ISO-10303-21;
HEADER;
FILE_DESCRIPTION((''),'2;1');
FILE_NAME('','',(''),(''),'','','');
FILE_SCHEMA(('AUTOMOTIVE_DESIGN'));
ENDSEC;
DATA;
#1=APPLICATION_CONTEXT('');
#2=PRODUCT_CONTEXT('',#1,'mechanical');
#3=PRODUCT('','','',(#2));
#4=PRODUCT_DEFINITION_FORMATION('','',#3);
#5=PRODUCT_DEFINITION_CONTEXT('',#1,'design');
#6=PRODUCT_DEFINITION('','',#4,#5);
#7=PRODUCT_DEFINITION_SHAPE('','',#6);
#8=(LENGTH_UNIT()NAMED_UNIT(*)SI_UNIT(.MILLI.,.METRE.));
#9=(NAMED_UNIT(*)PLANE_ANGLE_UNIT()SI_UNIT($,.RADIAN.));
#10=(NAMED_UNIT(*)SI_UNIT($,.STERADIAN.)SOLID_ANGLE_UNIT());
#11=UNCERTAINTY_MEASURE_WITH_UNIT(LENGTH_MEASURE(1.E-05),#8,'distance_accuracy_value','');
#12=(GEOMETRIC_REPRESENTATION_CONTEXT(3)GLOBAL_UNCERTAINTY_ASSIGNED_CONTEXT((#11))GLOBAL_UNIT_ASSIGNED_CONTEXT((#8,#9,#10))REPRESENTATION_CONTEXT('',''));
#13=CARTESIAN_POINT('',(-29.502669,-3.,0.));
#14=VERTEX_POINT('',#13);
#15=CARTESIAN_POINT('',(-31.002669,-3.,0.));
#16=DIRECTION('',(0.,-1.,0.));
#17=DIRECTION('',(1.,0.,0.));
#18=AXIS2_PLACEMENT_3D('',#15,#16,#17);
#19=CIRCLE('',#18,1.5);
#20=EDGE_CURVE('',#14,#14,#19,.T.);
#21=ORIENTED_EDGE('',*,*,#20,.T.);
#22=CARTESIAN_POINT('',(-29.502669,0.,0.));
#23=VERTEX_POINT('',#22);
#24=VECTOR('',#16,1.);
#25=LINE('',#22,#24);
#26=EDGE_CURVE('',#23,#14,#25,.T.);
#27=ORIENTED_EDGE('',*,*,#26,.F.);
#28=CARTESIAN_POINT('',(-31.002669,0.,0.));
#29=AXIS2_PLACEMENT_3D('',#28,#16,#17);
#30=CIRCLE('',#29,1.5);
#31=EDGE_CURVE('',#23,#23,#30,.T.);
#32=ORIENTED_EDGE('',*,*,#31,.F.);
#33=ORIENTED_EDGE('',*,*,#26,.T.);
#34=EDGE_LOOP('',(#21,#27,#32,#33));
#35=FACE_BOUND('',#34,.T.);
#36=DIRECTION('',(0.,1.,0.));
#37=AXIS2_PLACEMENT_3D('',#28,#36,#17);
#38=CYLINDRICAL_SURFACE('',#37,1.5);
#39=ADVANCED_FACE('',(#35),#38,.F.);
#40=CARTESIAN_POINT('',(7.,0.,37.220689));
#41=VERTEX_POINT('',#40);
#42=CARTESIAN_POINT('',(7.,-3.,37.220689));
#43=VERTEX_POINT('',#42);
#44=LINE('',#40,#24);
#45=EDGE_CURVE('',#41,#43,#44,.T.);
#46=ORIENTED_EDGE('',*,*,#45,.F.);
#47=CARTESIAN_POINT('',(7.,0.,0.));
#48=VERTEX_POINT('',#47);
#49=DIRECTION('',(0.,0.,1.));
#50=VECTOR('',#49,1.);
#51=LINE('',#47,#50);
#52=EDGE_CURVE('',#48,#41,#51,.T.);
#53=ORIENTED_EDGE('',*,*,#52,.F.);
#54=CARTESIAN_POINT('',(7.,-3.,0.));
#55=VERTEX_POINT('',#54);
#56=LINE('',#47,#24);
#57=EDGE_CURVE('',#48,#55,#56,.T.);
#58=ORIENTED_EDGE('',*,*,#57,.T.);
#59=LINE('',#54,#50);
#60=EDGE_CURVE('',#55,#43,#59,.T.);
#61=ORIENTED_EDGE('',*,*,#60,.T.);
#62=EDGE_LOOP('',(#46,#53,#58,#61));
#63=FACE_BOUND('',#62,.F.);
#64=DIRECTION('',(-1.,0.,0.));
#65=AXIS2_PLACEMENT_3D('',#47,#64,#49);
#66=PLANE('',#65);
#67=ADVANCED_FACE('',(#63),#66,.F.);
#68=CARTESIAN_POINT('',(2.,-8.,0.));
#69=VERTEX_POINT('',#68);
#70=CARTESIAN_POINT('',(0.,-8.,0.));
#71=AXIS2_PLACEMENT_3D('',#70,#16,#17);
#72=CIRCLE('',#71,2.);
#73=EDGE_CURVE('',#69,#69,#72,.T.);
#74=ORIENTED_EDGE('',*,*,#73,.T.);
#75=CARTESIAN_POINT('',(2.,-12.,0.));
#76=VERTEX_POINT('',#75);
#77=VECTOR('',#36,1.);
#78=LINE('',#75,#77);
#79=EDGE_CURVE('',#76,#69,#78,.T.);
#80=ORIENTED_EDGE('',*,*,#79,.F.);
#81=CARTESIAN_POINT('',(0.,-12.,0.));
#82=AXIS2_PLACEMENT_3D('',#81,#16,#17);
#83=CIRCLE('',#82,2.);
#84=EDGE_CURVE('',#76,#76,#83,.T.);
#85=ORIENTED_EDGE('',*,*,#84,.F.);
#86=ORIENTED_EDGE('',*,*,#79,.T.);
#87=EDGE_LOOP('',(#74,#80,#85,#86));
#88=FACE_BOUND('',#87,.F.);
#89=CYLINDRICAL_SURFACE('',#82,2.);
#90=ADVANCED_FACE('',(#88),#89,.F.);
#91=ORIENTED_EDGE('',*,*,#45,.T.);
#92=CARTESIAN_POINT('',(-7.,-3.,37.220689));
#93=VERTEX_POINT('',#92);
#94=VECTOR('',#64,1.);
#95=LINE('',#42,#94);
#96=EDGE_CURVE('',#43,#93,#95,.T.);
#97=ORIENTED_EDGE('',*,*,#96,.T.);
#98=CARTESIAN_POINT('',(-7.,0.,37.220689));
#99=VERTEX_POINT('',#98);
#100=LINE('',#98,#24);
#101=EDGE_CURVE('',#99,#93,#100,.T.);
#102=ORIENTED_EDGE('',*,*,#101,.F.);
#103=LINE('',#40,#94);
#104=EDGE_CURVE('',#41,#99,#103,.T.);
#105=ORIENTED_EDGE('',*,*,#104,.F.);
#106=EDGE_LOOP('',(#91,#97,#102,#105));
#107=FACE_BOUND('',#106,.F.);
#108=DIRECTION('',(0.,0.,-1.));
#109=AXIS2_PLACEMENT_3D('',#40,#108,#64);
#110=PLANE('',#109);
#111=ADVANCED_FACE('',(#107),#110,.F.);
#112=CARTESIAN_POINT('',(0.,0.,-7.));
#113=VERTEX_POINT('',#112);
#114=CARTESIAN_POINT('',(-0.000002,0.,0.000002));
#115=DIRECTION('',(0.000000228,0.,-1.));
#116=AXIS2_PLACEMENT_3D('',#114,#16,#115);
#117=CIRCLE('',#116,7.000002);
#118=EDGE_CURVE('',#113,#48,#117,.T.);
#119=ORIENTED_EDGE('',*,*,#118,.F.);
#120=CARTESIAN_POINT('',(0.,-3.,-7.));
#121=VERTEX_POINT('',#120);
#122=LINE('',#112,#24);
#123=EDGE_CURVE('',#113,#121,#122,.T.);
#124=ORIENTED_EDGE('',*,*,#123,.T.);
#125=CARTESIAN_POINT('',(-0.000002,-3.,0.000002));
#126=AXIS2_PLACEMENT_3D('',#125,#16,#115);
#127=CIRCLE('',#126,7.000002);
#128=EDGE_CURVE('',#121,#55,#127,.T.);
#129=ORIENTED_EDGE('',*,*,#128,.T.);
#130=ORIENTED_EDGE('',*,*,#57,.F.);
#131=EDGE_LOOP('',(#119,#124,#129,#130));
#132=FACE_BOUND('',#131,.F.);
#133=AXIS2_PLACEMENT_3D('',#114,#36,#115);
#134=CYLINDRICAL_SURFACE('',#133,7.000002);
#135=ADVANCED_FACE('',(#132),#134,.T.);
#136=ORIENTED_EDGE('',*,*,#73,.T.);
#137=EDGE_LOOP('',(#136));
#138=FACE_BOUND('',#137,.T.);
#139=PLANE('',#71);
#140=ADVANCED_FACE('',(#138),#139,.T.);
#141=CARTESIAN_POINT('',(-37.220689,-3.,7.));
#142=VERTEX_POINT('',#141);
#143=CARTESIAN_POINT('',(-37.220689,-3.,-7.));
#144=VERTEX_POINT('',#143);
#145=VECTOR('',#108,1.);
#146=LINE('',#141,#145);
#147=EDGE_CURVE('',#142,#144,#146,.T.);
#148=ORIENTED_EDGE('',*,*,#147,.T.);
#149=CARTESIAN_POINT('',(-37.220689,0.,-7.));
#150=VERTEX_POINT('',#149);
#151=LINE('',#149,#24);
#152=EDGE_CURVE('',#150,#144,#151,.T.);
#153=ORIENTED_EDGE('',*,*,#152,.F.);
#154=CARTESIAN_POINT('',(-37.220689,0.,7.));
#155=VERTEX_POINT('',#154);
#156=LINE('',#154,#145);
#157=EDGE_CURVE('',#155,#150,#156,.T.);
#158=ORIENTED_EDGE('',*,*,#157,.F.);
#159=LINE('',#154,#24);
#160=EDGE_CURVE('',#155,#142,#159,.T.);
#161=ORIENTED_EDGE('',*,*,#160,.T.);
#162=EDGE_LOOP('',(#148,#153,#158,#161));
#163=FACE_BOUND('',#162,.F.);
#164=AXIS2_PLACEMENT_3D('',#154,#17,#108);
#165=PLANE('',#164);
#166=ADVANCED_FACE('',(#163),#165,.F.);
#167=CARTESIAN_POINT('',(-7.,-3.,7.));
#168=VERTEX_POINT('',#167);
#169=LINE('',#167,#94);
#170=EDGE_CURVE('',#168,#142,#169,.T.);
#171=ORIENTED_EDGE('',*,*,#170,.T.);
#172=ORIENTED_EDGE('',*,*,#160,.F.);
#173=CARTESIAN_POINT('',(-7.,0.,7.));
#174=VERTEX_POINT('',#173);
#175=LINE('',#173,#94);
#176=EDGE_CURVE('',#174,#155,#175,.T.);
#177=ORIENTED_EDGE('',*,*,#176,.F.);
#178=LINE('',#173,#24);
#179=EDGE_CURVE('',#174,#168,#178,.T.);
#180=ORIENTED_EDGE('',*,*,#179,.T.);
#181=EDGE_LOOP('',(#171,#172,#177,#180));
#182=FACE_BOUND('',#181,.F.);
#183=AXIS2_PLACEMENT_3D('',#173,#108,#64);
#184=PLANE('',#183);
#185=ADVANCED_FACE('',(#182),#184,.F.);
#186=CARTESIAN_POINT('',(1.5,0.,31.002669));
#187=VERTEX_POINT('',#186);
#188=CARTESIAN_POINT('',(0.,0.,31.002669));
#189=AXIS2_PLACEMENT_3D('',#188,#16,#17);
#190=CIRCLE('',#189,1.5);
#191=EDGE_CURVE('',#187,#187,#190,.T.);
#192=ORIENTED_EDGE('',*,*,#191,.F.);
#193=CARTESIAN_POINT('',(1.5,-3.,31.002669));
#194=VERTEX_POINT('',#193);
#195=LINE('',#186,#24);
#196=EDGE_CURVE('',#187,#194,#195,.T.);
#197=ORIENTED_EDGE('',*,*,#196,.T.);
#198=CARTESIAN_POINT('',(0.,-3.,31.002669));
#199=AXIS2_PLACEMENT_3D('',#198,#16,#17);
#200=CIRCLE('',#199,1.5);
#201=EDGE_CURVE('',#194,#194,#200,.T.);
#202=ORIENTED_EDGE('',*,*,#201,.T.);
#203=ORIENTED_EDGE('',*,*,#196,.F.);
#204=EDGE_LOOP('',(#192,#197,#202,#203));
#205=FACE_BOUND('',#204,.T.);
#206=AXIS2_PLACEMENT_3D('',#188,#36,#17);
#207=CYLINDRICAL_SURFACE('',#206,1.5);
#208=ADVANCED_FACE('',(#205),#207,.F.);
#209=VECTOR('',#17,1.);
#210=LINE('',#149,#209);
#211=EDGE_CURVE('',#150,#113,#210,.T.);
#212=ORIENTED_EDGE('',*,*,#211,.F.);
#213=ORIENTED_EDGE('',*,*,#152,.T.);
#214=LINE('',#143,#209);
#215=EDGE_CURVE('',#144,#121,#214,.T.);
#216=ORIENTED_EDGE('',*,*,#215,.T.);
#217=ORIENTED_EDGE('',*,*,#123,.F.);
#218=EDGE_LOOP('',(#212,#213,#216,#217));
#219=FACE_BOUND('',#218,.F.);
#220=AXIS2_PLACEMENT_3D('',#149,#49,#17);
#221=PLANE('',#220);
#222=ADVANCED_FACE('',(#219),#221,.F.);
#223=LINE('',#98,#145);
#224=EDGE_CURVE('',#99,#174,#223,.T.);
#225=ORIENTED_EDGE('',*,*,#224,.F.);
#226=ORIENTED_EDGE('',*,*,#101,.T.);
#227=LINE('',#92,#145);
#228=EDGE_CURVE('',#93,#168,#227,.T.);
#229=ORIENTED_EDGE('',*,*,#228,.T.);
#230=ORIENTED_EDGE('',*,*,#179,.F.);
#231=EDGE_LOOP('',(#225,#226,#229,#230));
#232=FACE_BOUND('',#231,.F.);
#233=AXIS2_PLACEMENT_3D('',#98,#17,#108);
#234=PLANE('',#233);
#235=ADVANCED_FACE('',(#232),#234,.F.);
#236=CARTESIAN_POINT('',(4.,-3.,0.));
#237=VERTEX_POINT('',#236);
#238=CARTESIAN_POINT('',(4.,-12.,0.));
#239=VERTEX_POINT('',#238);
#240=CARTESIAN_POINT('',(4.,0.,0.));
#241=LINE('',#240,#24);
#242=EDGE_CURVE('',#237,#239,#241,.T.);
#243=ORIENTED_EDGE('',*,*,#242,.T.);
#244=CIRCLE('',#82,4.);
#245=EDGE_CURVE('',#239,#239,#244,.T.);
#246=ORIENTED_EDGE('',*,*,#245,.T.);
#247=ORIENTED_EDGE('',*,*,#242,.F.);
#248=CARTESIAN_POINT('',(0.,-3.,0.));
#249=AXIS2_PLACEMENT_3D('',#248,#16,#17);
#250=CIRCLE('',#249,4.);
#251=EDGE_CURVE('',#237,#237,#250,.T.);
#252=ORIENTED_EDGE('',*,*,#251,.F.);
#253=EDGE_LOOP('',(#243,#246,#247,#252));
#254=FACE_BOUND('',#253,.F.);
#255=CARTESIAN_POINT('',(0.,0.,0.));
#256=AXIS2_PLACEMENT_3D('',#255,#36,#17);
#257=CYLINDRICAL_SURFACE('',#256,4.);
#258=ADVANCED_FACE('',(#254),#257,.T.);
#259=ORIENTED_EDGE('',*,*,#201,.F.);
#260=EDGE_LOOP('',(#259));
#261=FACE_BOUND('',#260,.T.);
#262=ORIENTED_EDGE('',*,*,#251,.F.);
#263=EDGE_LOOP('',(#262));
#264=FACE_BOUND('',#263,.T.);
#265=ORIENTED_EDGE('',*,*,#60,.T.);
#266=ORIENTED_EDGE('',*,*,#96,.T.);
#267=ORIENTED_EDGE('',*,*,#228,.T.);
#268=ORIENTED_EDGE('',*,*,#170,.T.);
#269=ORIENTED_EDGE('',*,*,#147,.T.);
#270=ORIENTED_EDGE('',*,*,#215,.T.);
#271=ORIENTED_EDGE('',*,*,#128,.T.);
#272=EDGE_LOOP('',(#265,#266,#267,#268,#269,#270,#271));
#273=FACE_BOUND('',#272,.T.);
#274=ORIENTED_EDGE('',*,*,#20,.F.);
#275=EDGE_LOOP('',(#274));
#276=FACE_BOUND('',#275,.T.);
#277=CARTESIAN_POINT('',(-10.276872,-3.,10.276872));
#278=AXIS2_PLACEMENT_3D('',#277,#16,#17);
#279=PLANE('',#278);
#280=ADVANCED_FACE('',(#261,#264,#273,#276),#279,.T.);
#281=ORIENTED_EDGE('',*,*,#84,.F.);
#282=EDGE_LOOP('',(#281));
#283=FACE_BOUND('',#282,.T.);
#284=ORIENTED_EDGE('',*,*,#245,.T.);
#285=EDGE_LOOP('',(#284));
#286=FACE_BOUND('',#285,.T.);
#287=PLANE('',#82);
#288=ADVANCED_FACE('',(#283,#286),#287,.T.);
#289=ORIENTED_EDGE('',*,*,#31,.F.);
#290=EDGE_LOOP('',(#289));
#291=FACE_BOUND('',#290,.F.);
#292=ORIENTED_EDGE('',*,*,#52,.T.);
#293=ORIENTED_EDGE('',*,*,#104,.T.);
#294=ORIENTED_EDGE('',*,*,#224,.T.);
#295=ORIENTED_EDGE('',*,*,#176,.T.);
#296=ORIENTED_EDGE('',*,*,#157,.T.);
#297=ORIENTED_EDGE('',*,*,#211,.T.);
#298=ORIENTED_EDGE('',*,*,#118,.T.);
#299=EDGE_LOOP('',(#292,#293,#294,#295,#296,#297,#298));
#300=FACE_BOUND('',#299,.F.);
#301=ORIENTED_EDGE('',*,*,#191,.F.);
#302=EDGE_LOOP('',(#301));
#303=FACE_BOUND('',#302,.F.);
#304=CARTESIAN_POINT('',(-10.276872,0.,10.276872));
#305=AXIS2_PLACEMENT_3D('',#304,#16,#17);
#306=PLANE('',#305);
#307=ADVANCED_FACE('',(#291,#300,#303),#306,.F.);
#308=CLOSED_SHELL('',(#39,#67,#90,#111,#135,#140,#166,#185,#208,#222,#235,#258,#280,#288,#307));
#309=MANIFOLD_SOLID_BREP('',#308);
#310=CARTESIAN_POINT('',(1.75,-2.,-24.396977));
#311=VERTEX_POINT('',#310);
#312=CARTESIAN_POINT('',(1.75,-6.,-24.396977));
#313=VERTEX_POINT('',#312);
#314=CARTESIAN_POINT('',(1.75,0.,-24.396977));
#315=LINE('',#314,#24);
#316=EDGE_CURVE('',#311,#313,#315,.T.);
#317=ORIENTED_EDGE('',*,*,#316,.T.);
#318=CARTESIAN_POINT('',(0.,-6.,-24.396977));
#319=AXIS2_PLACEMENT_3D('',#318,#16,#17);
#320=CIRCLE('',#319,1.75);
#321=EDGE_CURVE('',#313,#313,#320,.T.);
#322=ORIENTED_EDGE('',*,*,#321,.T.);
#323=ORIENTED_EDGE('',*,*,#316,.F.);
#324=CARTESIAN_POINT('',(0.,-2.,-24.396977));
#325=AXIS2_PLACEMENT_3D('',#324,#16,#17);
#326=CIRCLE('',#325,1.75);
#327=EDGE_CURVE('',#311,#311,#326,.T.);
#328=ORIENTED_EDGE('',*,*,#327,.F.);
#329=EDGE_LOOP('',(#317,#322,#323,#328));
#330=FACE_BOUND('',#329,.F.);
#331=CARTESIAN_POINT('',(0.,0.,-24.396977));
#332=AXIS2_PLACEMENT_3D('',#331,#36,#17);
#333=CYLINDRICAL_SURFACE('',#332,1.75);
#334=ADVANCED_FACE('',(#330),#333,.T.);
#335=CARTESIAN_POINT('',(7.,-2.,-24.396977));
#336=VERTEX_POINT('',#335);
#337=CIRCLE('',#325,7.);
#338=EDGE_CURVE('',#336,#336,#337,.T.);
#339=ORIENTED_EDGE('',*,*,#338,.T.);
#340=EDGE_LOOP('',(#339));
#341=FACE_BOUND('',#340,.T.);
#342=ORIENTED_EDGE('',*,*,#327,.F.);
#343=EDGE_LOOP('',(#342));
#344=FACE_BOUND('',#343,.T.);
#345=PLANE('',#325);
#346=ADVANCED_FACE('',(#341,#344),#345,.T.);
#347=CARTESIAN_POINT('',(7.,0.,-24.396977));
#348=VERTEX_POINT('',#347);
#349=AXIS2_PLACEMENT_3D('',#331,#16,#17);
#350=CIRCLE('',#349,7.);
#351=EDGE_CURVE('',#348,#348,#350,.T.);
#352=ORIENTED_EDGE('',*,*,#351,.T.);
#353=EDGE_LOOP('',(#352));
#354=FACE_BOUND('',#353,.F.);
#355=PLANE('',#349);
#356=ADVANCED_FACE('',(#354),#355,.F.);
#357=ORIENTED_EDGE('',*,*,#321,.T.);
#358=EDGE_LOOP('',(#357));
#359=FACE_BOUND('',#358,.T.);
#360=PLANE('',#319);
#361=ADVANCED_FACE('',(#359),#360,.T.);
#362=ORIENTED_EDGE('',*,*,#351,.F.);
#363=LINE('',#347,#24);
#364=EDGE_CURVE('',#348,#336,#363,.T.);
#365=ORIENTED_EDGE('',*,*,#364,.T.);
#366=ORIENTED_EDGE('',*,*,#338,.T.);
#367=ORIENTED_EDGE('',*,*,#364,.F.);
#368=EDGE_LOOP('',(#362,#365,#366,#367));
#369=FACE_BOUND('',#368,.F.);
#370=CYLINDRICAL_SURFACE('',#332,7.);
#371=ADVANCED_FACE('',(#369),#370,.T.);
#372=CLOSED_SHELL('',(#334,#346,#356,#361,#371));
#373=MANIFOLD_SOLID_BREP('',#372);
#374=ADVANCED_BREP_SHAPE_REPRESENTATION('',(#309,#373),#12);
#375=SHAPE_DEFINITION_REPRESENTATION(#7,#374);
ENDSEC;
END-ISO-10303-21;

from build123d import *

# Parameters (mm, degrees)
F0_R     = 1.5
F0_R_2   = 4
F1_DEPTH = 3
F2_DEPTH = 12
F4_R     = 7
F4_R_2   = 1.75
F5_DEPTH = 2
F6_DEPTH = 6
F3_R     = 2
F7_DEPTH = 4


with BuildPart() as f1:
    # F0 (on Front) → F1 (new body)
    with BuildSketch(Plane.XZ):
        with BuildLine():
            Line((-37.220689, -7), (0, -7))
            ThreePointArc((0, -7), (4.949747, -4.949747), (7, 0))
            Line((7, 0), (7, 37.220689))
            Line((7, 37.220689), (-7, 37.220689))
            Line((-7, 37.220689), (-7, 7))
            Line((-7, 7), (-37.220689, 7))
            Line((-37.220689, 7), (-37.220689, -7))
        make_face()
        with Locations((-31.002669, 0)):
            Circle(F0_R, mode=Mode.SUBTRACT)
        Circle(F0_R_2, mode=Mode.SUBTRACT)
        with Locations((0, 31.002669)):
            Circle(F0_R, mode=Mode.SUBTRACT)
    extrude(amount=F1_DEPTH)

    # F0 (on Front) → F2 (join)
    with BuildSketch(Plane.XZ):
        Circle(F0_R_2)
    extrude(amount=F2_DEPTH)

    # F3 (on face) → F7 (cut)
    with BuildSketch(Plane.XZ.offset(12)):
        Circle(F3_R)
    extrude(amount=-F7_DEPTH, mode=Mode.SUBTRACT)


with BuildPart() as f5:
    # F4 (on Front) → F5 (new body)
    with BuildSketch(Plane.XZ):
        with Locations((0, -24.396977)):
            Circle(F4_R)
        with Locations((0, -24.396977)):
            Circle(F4_R_2, mode=Mode.SUBTRACT)
    extrude(amount=F5_DEPTH)

    # F4 (on Front) → F6 (join)
    with BuildSketch(Plane.XZ):
        with Locations((0, -24.396977)):
            Circle(F4_R_2)
    extrude(amount=F6_DEPTH)


solid = Compound([f1.part, f5.part])
